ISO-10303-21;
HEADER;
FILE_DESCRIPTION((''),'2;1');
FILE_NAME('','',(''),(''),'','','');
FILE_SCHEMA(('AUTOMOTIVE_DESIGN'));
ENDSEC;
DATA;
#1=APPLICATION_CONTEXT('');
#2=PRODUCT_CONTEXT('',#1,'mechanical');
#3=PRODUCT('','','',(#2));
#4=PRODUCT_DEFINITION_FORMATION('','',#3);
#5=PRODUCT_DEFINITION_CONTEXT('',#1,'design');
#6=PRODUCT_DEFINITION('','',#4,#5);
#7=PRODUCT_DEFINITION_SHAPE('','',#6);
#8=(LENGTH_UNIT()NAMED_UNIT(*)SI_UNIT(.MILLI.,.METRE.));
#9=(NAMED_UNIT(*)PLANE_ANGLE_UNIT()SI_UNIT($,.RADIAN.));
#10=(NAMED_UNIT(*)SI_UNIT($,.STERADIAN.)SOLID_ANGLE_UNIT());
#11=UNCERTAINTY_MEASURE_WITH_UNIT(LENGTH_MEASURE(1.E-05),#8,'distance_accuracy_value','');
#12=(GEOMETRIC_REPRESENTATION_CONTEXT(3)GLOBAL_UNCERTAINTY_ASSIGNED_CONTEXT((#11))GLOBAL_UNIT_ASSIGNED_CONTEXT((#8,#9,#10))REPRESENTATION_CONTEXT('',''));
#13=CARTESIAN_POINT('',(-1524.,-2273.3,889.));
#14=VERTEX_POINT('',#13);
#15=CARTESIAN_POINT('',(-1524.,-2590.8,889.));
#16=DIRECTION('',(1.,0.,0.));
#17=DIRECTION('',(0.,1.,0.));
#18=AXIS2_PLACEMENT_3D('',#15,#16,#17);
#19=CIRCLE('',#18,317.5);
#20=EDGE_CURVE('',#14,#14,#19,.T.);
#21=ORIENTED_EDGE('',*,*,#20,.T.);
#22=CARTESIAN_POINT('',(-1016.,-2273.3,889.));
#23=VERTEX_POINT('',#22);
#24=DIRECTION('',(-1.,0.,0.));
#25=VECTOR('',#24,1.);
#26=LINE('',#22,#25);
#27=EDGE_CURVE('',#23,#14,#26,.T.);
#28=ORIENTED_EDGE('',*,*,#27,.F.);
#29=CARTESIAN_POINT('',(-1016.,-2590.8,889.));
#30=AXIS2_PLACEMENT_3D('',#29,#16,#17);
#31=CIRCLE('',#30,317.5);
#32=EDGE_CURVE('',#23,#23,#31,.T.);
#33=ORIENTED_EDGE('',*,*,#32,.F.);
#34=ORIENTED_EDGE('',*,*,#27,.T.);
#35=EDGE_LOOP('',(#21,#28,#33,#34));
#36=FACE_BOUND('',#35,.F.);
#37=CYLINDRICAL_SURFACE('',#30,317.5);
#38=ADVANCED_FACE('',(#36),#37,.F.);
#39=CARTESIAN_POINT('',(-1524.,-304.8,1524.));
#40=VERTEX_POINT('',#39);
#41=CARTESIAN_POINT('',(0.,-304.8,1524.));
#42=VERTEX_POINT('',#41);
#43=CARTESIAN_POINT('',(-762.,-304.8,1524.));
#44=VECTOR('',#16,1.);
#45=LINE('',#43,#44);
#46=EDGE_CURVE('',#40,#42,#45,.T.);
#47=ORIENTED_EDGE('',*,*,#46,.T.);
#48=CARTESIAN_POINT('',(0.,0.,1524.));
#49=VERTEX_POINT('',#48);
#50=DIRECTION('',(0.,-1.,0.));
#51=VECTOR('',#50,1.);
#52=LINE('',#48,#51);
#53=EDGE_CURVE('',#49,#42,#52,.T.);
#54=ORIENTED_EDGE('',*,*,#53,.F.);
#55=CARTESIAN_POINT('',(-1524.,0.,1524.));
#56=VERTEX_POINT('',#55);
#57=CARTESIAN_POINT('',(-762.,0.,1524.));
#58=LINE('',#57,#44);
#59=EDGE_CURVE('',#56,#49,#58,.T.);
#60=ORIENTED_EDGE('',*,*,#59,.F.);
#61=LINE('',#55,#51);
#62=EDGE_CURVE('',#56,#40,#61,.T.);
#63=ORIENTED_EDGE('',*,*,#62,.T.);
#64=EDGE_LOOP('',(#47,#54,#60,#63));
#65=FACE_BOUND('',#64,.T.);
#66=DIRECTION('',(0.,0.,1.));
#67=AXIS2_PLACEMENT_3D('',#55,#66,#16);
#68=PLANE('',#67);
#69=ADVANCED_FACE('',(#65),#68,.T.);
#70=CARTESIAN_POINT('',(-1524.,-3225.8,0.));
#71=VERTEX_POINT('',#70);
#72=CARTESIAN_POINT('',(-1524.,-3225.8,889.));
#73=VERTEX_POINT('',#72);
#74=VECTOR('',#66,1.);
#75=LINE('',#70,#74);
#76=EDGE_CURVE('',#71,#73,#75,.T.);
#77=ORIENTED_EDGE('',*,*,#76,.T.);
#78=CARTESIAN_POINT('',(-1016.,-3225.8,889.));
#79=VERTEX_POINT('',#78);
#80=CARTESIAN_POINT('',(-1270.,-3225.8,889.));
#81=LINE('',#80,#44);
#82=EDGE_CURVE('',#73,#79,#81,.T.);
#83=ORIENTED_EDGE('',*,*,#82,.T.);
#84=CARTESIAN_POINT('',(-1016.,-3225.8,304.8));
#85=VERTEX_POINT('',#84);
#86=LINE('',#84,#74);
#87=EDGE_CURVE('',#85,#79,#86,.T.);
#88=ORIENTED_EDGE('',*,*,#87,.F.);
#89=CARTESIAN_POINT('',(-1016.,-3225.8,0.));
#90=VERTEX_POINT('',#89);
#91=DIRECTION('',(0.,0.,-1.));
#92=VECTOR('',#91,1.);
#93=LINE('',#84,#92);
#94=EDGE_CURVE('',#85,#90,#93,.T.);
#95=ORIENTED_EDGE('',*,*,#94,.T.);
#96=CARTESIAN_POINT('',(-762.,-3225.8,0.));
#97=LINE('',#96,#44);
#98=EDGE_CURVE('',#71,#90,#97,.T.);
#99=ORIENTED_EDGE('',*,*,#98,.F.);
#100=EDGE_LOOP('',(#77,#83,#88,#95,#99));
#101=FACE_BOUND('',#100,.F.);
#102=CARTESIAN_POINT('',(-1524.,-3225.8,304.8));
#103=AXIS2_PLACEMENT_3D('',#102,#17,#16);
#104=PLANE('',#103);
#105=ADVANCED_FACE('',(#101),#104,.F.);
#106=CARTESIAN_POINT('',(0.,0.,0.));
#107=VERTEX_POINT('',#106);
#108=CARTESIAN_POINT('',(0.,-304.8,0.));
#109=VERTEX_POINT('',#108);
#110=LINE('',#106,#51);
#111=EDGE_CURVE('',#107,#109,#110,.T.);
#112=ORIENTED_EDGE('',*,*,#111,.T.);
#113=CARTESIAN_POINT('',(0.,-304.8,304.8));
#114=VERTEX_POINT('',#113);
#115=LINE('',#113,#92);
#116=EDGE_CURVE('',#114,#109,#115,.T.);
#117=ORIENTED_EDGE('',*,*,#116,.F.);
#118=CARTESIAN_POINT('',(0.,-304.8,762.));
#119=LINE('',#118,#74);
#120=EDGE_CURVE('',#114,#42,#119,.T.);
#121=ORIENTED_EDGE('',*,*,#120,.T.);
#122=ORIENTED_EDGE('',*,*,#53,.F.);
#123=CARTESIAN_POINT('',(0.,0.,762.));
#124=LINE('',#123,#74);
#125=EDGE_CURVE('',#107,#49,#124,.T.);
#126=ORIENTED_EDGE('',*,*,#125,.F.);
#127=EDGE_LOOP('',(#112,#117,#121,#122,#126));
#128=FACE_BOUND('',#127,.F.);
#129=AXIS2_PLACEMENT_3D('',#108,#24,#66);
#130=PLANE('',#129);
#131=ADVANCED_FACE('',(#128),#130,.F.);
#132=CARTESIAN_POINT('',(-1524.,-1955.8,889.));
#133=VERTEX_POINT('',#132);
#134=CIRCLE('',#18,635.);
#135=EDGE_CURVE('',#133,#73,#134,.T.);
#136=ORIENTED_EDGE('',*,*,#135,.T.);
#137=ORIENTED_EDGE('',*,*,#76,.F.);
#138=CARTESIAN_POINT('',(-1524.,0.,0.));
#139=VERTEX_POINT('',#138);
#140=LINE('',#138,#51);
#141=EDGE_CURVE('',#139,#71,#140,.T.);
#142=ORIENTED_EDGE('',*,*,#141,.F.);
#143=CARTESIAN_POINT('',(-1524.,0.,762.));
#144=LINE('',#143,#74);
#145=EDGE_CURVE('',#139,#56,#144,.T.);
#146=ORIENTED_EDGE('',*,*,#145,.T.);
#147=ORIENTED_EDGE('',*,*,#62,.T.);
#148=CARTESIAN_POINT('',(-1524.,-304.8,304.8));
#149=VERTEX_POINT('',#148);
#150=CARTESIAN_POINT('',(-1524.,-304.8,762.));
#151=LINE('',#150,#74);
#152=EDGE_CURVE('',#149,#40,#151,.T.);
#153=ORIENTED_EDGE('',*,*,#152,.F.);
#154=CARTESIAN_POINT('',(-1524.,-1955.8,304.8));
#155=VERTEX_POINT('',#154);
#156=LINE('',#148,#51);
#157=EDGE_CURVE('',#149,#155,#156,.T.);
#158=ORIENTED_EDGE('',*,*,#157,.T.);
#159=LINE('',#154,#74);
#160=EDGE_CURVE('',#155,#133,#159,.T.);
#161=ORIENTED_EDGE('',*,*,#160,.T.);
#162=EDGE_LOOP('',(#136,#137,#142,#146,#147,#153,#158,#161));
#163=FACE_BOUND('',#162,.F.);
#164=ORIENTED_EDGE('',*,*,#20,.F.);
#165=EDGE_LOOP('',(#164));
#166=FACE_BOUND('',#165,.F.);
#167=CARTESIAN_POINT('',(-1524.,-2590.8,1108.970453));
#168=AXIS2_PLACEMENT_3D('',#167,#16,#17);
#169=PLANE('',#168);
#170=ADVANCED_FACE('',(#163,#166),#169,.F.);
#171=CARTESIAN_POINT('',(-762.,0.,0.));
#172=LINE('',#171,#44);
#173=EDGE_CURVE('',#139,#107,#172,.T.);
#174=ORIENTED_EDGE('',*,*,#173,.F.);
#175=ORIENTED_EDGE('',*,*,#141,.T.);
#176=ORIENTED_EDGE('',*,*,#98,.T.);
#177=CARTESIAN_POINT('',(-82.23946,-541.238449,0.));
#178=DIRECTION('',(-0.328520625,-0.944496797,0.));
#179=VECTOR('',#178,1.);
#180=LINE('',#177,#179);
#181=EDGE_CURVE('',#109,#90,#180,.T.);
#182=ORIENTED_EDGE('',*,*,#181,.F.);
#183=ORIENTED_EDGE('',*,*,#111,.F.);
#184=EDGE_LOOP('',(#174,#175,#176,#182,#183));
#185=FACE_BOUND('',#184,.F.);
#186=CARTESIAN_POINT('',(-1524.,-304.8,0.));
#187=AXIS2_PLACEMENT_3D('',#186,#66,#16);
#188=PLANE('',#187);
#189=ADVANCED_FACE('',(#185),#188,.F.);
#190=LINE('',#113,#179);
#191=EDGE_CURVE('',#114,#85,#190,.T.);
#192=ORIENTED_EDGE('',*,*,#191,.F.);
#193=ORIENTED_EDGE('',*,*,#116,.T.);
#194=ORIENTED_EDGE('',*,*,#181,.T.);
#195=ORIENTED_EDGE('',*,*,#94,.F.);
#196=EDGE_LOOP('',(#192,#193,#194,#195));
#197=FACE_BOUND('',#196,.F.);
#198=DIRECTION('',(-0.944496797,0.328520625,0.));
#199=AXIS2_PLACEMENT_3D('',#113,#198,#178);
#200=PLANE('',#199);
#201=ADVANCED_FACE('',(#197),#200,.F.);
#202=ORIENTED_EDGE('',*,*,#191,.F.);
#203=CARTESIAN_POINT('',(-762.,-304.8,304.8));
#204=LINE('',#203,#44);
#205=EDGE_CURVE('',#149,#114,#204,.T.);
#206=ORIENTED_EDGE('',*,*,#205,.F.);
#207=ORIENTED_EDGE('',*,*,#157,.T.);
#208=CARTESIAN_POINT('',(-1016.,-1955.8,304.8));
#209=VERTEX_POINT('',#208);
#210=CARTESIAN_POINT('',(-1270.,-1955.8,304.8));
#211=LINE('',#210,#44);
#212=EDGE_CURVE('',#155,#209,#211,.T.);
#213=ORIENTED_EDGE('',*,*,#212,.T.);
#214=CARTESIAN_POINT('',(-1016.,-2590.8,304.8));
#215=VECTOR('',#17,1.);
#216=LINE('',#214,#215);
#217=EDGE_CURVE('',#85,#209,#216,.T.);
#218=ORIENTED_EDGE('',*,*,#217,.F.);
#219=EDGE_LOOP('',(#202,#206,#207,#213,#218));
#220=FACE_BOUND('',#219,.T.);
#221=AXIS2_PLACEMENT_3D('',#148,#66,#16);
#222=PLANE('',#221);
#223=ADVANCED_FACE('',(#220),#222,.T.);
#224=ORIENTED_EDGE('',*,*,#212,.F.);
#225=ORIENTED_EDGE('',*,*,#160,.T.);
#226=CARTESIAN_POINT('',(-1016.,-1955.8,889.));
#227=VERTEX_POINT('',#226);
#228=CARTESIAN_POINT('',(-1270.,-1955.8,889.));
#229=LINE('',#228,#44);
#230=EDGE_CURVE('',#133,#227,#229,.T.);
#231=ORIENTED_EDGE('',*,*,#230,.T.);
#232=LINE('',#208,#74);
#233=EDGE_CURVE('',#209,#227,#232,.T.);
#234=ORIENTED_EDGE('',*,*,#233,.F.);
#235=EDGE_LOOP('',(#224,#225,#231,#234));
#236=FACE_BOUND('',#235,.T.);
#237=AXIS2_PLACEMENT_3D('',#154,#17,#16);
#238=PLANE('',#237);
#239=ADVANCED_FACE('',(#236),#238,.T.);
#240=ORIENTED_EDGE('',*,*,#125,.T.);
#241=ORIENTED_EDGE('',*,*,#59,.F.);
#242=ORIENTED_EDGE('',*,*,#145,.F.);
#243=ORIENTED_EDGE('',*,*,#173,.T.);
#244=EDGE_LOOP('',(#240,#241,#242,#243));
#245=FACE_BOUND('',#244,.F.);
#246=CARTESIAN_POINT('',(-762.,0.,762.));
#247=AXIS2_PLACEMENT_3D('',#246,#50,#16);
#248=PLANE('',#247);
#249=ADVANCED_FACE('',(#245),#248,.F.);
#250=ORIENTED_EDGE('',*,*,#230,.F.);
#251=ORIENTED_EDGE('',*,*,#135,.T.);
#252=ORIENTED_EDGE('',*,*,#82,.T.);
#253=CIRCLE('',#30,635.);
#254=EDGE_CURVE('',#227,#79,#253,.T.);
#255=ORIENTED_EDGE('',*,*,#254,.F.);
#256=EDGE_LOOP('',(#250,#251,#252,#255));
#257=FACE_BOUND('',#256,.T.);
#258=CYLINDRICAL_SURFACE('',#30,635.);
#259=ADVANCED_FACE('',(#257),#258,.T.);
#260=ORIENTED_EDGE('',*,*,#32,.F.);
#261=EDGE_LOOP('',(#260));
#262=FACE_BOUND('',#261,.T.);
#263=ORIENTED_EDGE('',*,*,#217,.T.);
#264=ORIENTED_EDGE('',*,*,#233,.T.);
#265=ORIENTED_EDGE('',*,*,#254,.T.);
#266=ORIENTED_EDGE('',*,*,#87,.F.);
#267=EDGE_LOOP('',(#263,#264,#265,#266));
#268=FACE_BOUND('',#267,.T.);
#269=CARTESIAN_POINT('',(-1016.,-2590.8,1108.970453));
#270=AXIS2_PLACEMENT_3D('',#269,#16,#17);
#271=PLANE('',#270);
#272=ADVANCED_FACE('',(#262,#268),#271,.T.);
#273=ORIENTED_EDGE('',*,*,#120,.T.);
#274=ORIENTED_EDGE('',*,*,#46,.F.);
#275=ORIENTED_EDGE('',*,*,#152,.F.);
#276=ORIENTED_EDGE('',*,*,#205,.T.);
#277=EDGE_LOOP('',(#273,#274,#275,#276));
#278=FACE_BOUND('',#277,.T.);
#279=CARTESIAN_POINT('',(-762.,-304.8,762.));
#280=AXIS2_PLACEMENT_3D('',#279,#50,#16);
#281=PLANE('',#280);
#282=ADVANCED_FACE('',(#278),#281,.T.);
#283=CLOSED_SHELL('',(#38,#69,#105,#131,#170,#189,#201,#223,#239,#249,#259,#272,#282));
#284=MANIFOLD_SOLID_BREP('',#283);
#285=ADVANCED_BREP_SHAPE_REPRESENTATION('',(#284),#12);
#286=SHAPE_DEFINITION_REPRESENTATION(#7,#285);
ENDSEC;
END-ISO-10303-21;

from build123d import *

# Parameters (mm, degrees)
F0_W      = 1524
F0_H      = 1524
F1_DEPTH  = 304.8
F0_W_2    = 40.8719182014
F0_H_2    = 6.1111450195
F3_W      = 1524
F3_H      = 304.8
F4_DEPTH  = 2921
F5_W      = 508
F5_H      = 1270
F6_DEPTH  = 584.2
F8_DEPTH  = 508
F9_R      = 317.5
F10_DEPTH = 2476.5
F12_DEPTH = 2288.54


with BuildPart() as f1:
    # F0 (on Front) → F1 (new body)
    with BuildSketch(Plane.XZ):
        with Locations((-762, 762)):
            Rectangle(F0_W, F0_H)
    extrude(amount=F1_DEPTH)

    # F3 (on face) → F4 (join)
    with BuildSketch(Plane.XZ.offset(304.8)):
        with Locations((-762, 152.4)):
            Rectangle(F3_W, F3_H)
    extrude(amount=F4_DEPTH)

    # F5 (on face) → F6 (join)
    with BuildSketch(Plane.XY.offset(304.8)):
        with Locations((-1270, -2590.8)):
            Rectangle(F5_W, F5_H)
    extrude(amount=F6_DEPTH)

    # F7 (on face) → F8 (join)
    with BuildSketch(Plane.YZ.offset(-1016)):
        with BuildLine():
            Line((-3225.8, 889), (-1955.8, 889))
            ThreePointArc((-1955.8, 889), (-2590.8, 1524), (-3225.8, 889))
        make_face()
    extrude(amount=-F8_DEPTH)

    # F9 (on face) → F10 (cut)
    with BuildSketch(Plane.YZ.offset(-1016)):
        with Locations((-2590.8, 889)):
            Circle(F9_R)
    extrude(amount=-F10_DEPTH, mode=Mode.SUBTRACT)

    # F11 (on face) → F12 (cut)
    with BuildSketch(Plane.XY.offset(304.8)):
        Polygon((0, -304.8), (-1016, -3225.8), (0, -3225.8), align=None)
    extrude(amount=-F12_DEPTH, mode=Mode.SUBTRACT)


with BuildPart() as f1b:
    # F0 (on Front) → F1, piece 2 (new body)
    with BuildSketch(Plane.XZ):
        with Locations((-394.8256671429, -348.9022254944)):
            Rectangle(F0_W_2, F0_H_2)
    extrude(amount=F1_DEPTH)


solid = f1.part
